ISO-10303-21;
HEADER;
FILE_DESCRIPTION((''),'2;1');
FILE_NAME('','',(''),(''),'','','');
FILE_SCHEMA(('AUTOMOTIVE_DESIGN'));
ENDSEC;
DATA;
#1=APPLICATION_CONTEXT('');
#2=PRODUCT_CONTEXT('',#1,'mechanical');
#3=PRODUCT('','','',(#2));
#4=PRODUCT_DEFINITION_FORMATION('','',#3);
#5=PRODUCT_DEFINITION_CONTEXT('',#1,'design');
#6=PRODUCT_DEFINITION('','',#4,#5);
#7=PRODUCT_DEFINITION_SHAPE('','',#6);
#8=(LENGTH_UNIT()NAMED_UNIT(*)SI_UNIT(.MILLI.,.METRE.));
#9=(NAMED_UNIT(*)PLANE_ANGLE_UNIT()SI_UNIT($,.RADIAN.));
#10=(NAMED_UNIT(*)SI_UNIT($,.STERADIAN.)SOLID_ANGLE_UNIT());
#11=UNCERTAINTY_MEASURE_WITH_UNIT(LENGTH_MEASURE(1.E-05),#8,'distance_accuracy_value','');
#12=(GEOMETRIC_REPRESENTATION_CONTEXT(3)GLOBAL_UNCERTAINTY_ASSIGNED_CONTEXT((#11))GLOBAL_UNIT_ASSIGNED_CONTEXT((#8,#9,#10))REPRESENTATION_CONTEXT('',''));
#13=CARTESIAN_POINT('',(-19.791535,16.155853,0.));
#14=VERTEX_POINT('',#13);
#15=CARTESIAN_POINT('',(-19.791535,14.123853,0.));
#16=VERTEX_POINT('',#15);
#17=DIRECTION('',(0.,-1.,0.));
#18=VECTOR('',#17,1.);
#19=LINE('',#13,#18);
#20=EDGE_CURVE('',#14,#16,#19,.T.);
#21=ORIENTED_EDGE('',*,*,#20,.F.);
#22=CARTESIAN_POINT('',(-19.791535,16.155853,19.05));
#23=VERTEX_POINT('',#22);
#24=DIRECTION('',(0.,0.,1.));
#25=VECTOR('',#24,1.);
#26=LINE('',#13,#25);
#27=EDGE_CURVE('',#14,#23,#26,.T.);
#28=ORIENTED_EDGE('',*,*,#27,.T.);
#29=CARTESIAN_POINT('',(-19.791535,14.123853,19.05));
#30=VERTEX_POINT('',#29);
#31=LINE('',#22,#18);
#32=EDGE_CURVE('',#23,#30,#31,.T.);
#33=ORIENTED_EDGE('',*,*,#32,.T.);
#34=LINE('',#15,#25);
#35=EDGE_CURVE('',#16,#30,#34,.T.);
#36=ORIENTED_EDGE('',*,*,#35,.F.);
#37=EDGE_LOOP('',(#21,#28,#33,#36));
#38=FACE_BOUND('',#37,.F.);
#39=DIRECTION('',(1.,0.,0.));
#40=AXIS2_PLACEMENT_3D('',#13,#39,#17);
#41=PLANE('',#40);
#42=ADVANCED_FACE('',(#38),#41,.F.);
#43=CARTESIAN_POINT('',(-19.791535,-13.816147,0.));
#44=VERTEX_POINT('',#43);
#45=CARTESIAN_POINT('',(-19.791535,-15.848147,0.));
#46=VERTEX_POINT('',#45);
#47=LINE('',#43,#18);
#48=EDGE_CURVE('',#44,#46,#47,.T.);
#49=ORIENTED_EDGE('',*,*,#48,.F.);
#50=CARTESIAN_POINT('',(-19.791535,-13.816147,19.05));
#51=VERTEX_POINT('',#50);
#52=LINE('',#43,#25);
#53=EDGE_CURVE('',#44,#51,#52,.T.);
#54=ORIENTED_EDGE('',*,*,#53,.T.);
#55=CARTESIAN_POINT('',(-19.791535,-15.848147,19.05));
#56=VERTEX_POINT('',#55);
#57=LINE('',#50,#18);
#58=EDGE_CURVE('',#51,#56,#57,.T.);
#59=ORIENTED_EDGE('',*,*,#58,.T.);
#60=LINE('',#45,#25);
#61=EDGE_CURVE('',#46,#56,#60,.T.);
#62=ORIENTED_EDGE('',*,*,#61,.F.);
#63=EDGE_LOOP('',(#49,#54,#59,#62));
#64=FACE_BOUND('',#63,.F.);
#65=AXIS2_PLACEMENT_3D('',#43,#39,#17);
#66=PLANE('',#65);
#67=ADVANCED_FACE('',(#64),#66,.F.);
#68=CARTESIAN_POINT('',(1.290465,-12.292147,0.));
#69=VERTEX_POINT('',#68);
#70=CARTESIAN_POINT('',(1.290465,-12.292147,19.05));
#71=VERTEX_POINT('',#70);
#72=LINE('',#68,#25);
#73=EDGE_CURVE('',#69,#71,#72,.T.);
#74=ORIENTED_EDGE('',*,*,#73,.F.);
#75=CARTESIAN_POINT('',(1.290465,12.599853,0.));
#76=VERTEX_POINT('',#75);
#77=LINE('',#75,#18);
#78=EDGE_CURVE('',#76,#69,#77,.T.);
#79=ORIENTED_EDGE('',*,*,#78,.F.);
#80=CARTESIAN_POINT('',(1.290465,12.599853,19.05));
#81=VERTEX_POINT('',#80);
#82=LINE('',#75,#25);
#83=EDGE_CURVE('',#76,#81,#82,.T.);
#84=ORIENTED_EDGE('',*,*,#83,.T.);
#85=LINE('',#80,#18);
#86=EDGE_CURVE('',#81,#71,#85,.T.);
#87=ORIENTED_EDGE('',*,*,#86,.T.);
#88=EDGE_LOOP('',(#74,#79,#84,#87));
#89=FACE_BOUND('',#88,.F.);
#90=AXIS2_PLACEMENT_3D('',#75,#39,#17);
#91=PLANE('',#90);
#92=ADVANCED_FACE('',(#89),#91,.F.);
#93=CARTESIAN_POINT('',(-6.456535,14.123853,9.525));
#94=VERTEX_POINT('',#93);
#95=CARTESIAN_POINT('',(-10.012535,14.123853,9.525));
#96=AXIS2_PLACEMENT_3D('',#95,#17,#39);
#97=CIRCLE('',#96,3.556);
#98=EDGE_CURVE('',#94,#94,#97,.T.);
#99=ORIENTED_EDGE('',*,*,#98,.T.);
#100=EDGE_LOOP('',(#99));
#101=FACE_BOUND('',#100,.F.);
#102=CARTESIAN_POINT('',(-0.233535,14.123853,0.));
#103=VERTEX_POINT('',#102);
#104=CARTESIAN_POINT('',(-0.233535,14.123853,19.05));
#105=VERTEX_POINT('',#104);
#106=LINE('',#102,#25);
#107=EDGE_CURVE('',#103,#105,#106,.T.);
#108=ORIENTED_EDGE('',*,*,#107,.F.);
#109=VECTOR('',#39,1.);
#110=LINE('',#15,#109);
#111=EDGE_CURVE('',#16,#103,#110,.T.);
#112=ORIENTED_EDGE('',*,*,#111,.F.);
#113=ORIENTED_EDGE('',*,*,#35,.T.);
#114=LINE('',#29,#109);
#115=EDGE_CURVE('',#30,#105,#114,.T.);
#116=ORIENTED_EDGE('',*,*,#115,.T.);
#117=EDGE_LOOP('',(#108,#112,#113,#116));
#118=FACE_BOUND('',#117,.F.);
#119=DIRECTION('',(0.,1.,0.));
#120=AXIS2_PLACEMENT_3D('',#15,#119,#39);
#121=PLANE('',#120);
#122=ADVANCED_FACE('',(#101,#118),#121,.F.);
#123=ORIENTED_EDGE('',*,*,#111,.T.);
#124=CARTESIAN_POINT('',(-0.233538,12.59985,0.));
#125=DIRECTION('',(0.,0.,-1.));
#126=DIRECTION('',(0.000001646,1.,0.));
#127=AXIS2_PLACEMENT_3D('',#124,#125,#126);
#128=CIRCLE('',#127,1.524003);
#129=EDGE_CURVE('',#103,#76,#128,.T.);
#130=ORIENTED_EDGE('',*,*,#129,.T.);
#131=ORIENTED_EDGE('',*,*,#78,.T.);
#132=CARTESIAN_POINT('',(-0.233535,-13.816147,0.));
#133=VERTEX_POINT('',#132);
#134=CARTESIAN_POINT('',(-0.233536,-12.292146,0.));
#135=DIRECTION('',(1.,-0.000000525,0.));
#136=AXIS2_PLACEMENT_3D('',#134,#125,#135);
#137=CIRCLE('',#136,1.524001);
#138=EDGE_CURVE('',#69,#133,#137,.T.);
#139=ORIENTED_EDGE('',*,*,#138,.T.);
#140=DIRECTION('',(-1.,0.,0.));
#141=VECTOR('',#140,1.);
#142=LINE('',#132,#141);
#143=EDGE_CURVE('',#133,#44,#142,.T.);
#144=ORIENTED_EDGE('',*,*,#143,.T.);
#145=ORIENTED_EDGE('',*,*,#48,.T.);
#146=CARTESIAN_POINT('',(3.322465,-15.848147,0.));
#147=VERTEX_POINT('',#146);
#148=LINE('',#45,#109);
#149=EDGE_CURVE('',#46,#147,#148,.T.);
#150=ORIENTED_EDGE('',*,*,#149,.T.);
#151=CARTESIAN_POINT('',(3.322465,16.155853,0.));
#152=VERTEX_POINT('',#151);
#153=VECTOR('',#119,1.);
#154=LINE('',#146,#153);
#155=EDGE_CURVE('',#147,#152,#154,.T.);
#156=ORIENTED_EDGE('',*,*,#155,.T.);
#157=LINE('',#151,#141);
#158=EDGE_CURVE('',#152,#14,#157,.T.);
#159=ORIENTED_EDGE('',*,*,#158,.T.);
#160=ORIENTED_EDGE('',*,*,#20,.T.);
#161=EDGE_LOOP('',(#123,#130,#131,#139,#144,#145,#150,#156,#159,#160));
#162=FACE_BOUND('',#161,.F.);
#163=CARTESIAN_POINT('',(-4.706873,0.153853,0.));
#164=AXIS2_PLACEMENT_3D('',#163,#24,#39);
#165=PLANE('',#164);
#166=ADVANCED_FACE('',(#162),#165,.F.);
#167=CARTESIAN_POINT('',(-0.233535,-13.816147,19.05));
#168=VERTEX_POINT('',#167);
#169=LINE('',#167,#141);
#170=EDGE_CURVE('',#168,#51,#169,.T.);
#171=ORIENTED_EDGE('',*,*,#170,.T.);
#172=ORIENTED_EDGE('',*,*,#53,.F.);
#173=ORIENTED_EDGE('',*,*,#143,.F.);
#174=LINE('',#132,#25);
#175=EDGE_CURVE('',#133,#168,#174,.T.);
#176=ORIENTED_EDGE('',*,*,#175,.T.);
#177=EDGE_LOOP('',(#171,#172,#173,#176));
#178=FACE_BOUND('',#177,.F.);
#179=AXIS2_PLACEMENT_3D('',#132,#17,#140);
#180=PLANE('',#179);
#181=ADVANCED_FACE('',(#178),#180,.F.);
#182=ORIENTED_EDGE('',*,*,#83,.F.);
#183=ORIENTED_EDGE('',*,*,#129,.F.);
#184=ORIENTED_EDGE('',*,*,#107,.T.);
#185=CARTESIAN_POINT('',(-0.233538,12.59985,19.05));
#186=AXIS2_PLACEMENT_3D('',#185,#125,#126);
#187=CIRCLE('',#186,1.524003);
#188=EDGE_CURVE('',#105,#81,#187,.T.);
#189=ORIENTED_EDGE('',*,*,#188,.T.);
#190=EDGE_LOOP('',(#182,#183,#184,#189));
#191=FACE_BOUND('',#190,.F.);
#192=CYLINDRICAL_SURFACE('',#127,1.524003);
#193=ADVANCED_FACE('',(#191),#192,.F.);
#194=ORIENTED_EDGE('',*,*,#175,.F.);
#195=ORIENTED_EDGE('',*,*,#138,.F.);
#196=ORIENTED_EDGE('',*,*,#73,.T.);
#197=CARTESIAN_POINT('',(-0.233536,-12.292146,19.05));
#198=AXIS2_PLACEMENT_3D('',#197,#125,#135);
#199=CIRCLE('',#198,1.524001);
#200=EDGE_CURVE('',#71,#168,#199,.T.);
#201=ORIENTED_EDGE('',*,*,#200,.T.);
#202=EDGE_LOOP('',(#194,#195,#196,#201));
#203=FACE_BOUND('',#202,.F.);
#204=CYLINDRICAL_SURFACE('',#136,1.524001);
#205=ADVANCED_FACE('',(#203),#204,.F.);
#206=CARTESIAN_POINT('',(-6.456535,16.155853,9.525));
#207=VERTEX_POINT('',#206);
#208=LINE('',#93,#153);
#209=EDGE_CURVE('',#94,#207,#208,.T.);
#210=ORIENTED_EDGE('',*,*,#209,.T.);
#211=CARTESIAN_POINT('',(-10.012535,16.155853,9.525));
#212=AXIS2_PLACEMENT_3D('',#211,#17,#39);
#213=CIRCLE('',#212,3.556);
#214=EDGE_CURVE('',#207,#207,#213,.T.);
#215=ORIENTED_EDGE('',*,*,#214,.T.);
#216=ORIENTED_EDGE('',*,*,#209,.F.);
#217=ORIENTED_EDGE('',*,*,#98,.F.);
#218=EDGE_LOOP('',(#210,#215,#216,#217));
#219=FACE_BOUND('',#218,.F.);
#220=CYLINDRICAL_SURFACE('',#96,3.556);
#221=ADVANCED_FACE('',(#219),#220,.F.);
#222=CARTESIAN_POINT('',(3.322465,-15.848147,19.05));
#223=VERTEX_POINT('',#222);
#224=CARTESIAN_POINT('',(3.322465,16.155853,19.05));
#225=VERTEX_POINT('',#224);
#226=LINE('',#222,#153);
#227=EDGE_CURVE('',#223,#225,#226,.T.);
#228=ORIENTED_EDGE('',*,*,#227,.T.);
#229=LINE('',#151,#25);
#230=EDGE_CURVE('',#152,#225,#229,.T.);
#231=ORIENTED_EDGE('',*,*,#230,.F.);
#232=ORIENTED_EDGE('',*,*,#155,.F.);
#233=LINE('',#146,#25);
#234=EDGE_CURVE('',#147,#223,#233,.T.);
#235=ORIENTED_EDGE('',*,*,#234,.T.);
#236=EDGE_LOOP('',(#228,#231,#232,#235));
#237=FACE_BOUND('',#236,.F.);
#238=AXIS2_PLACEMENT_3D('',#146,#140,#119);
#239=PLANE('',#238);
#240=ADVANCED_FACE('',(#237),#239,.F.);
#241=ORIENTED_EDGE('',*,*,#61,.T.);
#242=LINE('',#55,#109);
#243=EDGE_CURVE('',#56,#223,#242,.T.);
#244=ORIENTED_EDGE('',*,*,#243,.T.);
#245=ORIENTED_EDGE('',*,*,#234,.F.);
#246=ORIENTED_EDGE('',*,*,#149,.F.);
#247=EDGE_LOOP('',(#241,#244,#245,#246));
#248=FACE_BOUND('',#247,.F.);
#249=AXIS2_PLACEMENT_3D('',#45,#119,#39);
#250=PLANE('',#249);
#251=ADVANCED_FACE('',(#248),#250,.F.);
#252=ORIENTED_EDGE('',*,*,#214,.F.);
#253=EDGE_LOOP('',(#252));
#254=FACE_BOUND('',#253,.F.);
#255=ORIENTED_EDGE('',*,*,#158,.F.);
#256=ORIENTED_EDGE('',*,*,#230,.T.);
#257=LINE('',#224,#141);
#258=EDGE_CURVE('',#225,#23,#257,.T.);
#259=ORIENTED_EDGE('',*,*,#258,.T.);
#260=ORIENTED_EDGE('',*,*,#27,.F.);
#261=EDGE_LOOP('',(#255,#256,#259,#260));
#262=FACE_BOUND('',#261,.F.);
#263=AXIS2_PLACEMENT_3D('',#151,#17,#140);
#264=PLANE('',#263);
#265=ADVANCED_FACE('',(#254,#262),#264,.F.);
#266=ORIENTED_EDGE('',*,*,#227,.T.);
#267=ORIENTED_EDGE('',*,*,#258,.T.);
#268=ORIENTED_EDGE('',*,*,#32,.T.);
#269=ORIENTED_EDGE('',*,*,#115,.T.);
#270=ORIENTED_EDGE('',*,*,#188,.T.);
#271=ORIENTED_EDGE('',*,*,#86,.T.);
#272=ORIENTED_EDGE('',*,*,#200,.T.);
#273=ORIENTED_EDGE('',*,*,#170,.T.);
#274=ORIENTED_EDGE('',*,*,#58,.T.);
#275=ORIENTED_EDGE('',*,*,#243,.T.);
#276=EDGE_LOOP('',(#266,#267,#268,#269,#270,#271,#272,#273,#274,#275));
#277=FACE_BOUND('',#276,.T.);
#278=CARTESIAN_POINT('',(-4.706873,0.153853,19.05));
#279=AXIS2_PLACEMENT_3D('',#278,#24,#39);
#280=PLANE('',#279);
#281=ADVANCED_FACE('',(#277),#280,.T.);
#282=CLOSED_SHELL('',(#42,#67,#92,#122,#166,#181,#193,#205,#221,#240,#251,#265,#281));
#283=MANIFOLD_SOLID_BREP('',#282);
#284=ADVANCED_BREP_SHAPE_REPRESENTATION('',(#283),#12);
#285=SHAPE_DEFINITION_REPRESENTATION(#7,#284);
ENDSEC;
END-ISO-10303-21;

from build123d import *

# Parameters (mm, degrees)
F1_DEPTH = 19.05
F2_R     = 3.556
F3_DEPTH = 2.032


with BuildPart() as f1:
    # F0 (on Top) → F1 (new body)
    with BuildSketch(Plane.XY):
        with BuildLine():
            Line((-19.791535, 16.155853), (-19.791535, 14.123853))
            Line((-19.791535, 14.123853), (-0.233535, 14.123853))
            ThreePointArc((-0.233535, 14.123853), (0.844095, 13.677483), (1.290465, 12.599853))
            Line((1.290465, 12.599853), (1.290465, -12.292147))
            ThreePointArc((1.290465, -12.292147), (0.844095, -13.369778), (-0.233535, -13.816147))
            Line((-0.233535, -13.816147), (-19.791535, -13.816147))
            Line((-19.791535, -13.816147), (-19.791535, -15.848147))
            Line((-19.791535, -15.848147), (3.322465, -15.848147))
            Line((3.322465, -15.848147), (3.322465, 16.155853))
            Line((3.322465, 16.155853), (-19.791535, 16.155853))
        make_face()
    extrude(amount=F1_DEPTH)

    # F2 (on face) → F3 (cut, through all)
    with BuildSketch(Plane.XZ.offset(-14.123853)):
        with Locations((-10.012535, 9.525)):
            Circle(F2_R)
    extrude(amount=-F3_DEPTH, mode=Mode.SUBTRACT)


solid = f1.part
